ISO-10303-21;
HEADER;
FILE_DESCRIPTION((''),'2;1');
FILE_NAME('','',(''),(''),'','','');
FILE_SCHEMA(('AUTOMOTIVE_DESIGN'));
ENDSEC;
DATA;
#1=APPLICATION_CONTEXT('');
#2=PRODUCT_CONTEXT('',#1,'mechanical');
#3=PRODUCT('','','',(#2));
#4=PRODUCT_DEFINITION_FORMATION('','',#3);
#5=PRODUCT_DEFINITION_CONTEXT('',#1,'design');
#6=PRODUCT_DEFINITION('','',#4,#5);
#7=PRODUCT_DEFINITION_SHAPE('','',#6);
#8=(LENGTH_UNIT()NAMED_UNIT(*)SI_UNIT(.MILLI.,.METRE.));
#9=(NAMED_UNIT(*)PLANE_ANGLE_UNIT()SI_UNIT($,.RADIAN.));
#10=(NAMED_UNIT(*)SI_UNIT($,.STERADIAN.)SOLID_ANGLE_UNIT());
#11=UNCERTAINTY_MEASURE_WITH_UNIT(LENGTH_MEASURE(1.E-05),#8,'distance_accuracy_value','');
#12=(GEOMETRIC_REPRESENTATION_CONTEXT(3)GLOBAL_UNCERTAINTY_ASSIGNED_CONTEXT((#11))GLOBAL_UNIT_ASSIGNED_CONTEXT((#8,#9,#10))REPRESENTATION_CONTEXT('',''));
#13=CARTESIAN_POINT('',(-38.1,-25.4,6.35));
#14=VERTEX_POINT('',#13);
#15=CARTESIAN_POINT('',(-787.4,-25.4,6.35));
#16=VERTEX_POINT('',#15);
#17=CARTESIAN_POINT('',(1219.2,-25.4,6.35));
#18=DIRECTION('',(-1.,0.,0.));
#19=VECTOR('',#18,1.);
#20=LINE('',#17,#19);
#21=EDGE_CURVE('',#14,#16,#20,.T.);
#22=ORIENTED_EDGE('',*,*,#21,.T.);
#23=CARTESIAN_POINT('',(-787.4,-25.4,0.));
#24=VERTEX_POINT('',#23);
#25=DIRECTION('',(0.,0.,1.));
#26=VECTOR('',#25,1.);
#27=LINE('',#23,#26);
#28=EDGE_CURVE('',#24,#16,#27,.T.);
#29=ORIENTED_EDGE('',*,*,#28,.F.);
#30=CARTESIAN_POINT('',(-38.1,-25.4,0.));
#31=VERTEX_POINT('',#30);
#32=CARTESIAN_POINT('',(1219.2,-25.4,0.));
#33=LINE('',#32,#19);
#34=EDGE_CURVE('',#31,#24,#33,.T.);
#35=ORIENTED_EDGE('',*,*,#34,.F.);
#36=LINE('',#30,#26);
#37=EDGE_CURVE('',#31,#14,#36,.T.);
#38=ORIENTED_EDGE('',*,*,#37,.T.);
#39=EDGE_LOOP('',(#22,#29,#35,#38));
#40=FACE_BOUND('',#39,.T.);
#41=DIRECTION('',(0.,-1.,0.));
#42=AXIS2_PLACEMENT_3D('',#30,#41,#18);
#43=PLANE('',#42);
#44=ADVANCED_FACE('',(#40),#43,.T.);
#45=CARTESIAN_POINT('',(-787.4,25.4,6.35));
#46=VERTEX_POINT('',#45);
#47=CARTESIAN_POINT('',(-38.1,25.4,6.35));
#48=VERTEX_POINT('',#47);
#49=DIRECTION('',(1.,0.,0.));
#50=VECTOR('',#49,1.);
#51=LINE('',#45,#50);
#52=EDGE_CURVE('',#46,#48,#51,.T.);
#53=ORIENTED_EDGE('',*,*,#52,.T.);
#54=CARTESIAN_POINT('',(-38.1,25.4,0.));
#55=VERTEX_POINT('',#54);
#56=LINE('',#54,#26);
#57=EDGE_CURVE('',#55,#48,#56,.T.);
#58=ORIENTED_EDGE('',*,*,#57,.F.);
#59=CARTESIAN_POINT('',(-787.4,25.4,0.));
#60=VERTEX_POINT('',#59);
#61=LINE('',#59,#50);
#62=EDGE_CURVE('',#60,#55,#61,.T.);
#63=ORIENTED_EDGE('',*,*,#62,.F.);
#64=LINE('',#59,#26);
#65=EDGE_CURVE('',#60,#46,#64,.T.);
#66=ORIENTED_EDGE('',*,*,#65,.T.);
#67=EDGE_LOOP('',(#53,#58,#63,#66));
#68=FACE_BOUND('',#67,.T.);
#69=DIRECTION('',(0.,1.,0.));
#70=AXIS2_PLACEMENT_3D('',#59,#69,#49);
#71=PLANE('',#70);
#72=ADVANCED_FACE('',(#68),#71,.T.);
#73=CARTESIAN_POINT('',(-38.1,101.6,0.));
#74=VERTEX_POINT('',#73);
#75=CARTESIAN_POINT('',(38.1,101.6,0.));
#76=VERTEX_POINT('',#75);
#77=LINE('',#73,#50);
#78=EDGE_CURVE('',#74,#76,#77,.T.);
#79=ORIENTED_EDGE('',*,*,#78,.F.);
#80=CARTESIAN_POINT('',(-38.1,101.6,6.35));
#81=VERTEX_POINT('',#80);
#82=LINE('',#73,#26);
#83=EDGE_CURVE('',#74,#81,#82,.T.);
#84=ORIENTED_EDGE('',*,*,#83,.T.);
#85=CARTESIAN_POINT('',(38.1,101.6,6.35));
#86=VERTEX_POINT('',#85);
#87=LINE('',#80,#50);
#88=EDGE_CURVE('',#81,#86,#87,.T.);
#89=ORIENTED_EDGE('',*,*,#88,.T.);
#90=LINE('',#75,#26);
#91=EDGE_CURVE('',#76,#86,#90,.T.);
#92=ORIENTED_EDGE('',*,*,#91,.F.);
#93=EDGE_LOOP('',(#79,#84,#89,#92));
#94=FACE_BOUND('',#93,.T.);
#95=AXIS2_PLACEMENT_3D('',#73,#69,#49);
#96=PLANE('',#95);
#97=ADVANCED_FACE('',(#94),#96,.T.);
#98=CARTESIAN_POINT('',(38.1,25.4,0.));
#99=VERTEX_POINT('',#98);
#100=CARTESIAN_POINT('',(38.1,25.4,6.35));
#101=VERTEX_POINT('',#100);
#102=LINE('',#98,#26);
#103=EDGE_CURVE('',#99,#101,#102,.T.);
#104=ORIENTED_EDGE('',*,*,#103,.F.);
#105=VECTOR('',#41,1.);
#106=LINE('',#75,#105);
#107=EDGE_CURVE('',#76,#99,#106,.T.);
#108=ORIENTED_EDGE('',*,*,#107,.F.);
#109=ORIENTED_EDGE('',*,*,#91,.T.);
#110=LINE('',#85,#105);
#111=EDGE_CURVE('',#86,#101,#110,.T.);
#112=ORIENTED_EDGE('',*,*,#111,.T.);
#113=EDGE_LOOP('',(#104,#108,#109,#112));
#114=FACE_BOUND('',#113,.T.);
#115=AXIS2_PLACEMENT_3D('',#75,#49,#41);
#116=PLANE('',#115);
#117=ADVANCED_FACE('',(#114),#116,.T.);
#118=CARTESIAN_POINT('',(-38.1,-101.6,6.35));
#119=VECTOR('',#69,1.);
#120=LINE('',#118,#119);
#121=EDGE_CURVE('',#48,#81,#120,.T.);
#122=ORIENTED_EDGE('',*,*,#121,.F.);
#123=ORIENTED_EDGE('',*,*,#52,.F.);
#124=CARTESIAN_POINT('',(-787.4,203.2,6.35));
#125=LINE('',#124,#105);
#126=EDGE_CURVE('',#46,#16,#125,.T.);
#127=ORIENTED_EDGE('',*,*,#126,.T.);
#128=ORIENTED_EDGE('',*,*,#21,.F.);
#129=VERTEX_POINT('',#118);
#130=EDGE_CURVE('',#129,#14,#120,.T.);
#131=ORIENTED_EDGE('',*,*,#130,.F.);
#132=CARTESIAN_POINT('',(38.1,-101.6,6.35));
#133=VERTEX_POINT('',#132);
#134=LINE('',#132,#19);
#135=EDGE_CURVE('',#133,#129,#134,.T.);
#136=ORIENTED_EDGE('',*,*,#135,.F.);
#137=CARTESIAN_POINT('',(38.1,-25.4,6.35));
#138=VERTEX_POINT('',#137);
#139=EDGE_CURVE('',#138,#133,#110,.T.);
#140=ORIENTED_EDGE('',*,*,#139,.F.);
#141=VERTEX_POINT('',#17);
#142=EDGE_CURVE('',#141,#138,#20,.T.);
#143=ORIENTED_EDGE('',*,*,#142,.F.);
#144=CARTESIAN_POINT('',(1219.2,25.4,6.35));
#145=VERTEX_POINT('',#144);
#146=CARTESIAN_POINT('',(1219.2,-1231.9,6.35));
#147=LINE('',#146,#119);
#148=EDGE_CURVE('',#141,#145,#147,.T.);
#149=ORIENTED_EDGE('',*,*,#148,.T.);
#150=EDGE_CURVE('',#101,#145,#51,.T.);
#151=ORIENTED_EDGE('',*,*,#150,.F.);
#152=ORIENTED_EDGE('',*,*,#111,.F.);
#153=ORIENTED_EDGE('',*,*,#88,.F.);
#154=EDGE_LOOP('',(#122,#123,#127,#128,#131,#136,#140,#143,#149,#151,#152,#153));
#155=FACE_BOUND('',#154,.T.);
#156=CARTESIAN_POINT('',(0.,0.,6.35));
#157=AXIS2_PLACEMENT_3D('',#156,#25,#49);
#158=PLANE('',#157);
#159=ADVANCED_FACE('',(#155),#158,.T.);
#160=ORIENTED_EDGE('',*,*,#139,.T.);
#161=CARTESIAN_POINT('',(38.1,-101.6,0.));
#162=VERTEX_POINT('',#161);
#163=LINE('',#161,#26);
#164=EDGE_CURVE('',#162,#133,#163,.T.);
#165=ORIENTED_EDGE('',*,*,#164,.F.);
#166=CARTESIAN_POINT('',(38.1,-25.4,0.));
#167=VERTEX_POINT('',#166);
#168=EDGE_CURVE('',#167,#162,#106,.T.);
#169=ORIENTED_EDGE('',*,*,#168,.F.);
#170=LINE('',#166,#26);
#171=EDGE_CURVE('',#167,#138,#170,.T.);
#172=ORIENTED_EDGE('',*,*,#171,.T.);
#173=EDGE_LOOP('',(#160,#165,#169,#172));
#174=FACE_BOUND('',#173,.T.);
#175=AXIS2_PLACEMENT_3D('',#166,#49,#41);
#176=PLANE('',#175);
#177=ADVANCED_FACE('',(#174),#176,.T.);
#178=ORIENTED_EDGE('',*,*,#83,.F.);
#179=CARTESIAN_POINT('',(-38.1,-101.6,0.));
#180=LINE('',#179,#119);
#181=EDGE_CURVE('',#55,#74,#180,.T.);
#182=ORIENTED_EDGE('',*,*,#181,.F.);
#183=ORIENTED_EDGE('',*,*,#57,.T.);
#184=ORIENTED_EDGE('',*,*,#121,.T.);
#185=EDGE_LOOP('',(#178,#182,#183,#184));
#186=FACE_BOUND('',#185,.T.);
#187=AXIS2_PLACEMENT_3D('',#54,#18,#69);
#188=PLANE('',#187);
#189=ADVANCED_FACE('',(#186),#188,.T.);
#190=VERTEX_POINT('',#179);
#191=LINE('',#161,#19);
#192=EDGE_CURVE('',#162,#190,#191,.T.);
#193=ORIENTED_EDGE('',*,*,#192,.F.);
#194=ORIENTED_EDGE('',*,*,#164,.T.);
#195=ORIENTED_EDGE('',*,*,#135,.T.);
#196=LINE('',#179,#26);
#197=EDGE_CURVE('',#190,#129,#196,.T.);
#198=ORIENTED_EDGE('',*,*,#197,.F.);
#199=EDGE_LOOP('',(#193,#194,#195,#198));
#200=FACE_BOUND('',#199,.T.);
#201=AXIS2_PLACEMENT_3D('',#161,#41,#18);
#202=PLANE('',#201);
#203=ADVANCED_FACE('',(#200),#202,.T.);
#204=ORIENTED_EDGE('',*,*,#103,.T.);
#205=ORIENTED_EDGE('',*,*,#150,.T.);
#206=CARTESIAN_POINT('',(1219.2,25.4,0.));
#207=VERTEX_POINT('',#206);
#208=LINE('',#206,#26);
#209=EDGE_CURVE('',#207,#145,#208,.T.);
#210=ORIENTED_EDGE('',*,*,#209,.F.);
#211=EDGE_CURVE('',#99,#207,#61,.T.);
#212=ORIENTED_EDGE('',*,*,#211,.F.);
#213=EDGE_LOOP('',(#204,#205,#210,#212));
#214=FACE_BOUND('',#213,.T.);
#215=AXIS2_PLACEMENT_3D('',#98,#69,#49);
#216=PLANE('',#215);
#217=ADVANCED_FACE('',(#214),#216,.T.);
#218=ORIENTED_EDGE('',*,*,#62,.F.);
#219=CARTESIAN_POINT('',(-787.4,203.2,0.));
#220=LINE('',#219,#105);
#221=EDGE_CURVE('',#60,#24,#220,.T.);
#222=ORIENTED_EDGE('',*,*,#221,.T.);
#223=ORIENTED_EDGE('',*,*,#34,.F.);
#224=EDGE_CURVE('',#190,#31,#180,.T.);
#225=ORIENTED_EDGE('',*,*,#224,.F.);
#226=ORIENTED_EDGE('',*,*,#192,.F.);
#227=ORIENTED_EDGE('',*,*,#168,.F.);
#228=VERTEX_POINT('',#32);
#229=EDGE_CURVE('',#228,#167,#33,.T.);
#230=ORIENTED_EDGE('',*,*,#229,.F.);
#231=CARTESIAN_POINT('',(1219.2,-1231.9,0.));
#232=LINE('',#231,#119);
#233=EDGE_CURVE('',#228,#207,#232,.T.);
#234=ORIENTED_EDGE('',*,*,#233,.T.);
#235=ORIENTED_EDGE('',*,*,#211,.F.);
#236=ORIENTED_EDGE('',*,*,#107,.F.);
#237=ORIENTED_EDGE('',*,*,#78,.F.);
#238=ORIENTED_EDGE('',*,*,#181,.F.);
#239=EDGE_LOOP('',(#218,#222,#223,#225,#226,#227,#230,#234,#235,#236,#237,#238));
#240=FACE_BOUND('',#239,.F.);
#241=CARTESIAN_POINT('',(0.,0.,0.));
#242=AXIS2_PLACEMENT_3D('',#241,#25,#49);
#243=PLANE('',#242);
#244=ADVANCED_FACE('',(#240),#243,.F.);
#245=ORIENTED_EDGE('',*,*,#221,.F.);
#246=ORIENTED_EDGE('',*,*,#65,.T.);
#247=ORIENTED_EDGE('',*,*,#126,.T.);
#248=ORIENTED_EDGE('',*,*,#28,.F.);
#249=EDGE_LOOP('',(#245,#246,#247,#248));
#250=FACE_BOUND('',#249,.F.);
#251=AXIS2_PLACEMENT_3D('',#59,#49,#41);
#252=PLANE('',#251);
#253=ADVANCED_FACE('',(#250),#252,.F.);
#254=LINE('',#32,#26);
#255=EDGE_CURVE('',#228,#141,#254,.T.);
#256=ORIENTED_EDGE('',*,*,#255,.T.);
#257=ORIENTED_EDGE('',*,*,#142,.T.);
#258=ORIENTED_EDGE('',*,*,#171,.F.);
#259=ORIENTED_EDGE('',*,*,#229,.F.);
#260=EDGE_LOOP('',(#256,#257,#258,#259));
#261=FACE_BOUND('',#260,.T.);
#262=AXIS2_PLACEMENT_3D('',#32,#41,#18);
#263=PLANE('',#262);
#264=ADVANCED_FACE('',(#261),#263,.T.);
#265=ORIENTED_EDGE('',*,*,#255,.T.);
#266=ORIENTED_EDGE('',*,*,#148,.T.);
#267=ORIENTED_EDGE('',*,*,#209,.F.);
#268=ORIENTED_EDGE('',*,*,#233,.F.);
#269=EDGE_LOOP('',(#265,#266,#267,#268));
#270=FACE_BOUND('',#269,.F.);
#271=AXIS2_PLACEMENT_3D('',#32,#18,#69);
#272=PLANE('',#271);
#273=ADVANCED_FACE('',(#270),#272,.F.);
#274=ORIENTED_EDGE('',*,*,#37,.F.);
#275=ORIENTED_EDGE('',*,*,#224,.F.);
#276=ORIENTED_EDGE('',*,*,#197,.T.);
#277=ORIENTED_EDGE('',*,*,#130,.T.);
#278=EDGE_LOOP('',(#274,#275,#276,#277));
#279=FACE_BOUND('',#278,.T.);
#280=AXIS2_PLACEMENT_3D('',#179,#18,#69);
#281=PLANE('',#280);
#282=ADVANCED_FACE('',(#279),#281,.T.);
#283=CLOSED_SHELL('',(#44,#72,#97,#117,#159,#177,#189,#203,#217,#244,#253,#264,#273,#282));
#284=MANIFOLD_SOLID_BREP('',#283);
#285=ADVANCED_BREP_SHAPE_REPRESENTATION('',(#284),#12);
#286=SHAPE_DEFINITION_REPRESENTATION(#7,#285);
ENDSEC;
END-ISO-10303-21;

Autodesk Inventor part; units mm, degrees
ref_plane "YZ Plane" through (0, 0, 0) normal (1, 0, 0) x (0, 1, 0)
ref_plane "XZ Plane" through (0, 0, 0) normal (0, 1, 0) x (-1, 0, 0)
ref_plane "XY Plane" through (0, 0, 0) normal (0, 0, 1) x (1, 0, 0)
ref_plane "Work Plane1" through (0, 0, 0) normal (0, 0, 1) x (1, 0, 0)
sketch "Sketch1" plane through (0, 0, 0) normal (0, 0, 1) x (1, 0, 0)
  line L0 (1219.2, 1219.2) -> (-1219.2, 1219.2) projected
  line L1 (-1219.2, 1231.9) -> (-1219.2, -1231.9) projected
  line L2 (1219.2, -1231.9) -> (1219.2, 1231.9) projected
  line L3 (-1219.2, -1219.2) -> (1219.2, -1219.2) projected
  line L4 (-914.4, -406.4) -> (-914.4, 406.4) projected
  line L5 (-787.4, 25.4) -> (1219.2, 25.4)
  line L6 (1219.2, 25.4) -> (1219.2, -25.4)
  line L7 (1219.2, -25.4) -> (-787.4, -25.4)
  line L8 (-38.1, 101.6) -> (38.1, 101.6)
  line L9 (38.1, 101.6) -> (38.1, -101.6)
  line L10 (38.1, -101.6) -> (-38.1, -101.6)
  line L11 (-38.1, -101.6) -> (-38.1, 101.6)
  line L12 (-787.4, 203.2) -> (-787.4, -177.8) projected
  line L13 (-787.4, -25.4) -> (-787.4, 25.4)
  point P0 (0, 0)
  point P1 (-914.4, 25.4)
  dimension "d0" = 50.8
  dimension "d1" = 25.4
  dimension "d2" = 76.2
  dimension "d3" = 38.1
  dimension "d4" = 203.2
  dimension "d5" = 101.6
extrude "Extrusion1" add sketch "Sketch1" along normal blind 6.35 contours L2 L7 L9 L5 | L9 L7 L11 L5 | L5 L11 L8 L9 | L9 L10 L11 L7 | L11 L7 L12 L5
equation "\"d1\" = 0.5 * d0"
equation "\"d5\" = 0.5 * d4"
properties part number "Dead reckoning line"
